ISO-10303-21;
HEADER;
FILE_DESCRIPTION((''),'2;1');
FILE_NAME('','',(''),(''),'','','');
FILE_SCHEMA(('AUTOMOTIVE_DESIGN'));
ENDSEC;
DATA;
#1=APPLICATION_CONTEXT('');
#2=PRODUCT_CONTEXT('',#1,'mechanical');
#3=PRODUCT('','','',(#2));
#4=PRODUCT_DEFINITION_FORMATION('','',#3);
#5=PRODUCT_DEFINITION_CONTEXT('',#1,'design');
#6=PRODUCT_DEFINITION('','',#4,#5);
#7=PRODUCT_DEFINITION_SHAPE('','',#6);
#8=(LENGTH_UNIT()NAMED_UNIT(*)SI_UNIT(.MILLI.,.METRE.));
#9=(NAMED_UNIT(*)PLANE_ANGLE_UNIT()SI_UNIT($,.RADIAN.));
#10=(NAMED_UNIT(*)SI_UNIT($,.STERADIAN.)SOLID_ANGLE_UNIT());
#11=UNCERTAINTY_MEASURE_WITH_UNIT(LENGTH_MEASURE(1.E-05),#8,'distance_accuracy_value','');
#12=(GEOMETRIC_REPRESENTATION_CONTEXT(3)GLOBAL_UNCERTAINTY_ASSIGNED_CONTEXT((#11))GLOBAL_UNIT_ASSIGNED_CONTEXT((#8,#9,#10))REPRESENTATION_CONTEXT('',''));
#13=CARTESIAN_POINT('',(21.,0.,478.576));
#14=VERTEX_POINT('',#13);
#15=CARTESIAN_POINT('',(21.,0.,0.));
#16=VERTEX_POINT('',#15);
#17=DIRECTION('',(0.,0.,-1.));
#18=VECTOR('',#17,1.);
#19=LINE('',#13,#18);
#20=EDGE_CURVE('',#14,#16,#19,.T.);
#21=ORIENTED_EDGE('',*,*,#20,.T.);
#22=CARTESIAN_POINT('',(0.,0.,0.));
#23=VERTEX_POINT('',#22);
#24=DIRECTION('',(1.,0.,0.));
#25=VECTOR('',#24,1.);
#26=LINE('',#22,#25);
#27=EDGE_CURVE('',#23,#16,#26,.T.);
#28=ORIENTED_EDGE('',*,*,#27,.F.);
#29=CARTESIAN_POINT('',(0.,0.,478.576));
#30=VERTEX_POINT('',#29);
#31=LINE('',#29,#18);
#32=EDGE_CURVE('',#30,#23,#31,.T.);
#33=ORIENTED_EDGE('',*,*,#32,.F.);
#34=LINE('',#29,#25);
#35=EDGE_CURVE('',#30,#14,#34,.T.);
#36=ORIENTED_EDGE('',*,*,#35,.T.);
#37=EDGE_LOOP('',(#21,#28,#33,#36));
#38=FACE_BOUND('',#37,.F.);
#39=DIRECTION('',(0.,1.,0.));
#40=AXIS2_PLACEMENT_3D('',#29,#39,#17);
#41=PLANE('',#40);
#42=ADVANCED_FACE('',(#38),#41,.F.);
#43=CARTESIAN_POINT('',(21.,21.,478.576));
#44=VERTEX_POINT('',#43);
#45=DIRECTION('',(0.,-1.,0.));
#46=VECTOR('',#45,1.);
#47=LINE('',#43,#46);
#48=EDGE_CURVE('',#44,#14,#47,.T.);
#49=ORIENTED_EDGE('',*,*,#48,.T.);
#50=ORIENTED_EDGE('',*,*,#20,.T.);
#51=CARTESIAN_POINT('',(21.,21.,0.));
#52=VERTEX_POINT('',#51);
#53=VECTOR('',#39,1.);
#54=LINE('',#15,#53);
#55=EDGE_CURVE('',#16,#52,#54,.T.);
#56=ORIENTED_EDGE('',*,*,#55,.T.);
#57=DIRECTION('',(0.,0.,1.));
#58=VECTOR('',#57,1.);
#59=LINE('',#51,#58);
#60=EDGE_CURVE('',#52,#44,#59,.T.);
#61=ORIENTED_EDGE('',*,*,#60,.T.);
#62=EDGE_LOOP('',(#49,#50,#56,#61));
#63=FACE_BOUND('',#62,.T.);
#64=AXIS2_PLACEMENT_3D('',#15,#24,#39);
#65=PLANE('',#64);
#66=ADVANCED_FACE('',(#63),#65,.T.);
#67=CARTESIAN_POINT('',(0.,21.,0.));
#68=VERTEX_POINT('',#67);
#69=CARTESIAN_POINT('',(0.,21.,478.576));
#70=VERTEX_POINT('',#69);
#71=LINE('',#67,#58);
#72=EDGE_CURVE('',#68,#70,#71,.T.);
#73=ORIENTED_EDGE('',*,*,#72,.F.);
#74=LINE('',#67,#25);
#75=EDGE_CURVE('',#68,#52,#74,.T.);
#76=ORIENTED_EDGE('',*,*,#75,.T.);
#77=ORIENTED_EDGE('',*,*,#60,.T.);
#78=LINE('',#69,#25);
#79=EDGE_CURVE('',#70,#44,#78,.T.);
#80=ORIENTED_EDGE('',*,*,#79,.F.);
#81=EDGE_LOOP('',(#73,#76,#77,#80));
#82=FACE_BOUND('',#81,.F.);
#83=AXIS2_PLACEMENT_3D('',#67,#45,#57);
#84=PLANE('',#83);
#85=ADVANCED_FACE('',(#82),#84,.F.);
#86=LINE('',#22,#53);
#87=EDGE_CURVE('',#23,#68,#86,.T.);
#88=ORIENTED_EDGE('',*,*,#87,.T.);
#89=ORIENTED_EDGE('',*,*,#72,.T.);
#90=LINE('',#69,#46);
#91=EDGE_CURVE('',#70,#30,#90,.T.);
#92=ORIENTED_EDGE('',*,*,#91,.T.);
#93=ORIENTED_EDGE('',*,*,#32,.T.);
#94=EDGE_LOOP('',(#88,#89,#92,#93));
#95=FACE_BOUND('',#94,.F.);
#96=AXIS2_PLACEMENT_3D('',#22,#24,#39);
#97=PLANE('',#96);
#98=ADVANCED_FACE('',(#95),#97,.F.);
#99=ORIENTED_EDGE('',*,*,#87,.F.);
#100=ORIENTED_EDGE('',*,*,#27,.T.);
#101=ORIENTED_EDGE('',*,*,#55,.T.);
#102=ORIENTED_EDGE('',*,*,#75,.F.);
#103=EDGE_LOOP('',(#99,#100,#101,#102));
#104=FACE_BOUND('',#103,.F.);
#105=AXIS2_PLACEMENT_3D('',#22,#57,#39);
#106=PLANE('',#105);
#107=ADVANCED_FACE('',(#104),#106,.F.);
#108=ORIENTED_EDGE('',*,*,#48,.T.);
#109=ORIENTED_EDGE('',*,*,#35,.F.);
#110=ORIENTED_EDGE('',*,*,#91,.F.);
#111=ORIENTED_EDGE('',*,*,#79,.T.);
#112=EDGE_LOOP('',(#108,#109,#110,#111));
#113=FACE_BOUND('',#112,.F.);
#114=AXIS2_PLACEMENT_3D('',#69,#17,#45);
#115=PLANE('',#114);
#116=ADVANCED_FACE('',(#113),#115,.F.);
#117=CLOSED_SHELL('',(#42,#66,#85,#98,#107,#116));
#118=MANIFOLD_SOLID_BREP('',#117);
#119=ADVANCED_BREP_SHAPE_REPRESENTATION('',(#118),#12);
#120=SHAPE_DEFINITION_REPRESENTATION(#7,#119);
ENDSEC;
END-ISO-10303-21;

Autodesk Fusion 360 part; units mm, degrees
sketch "Back Panel Support Left " plane through (0, 0, 0) normal (1, 0, 0) x (0, 1, 0)
  line L0 (0, 0) -> (21, 0)
  line L1 (21, 0) -> (21, 478.576)
  line L2 (21, 478.576) -> (0, 478.576)
  line L3 (0, 478.576) -> (0, 0)
  dimension "d1" = 478.576
  dimension "d2" = 21
extrude "Extrude1" add sketch "Back Panel Support Left " along normal blind 21
